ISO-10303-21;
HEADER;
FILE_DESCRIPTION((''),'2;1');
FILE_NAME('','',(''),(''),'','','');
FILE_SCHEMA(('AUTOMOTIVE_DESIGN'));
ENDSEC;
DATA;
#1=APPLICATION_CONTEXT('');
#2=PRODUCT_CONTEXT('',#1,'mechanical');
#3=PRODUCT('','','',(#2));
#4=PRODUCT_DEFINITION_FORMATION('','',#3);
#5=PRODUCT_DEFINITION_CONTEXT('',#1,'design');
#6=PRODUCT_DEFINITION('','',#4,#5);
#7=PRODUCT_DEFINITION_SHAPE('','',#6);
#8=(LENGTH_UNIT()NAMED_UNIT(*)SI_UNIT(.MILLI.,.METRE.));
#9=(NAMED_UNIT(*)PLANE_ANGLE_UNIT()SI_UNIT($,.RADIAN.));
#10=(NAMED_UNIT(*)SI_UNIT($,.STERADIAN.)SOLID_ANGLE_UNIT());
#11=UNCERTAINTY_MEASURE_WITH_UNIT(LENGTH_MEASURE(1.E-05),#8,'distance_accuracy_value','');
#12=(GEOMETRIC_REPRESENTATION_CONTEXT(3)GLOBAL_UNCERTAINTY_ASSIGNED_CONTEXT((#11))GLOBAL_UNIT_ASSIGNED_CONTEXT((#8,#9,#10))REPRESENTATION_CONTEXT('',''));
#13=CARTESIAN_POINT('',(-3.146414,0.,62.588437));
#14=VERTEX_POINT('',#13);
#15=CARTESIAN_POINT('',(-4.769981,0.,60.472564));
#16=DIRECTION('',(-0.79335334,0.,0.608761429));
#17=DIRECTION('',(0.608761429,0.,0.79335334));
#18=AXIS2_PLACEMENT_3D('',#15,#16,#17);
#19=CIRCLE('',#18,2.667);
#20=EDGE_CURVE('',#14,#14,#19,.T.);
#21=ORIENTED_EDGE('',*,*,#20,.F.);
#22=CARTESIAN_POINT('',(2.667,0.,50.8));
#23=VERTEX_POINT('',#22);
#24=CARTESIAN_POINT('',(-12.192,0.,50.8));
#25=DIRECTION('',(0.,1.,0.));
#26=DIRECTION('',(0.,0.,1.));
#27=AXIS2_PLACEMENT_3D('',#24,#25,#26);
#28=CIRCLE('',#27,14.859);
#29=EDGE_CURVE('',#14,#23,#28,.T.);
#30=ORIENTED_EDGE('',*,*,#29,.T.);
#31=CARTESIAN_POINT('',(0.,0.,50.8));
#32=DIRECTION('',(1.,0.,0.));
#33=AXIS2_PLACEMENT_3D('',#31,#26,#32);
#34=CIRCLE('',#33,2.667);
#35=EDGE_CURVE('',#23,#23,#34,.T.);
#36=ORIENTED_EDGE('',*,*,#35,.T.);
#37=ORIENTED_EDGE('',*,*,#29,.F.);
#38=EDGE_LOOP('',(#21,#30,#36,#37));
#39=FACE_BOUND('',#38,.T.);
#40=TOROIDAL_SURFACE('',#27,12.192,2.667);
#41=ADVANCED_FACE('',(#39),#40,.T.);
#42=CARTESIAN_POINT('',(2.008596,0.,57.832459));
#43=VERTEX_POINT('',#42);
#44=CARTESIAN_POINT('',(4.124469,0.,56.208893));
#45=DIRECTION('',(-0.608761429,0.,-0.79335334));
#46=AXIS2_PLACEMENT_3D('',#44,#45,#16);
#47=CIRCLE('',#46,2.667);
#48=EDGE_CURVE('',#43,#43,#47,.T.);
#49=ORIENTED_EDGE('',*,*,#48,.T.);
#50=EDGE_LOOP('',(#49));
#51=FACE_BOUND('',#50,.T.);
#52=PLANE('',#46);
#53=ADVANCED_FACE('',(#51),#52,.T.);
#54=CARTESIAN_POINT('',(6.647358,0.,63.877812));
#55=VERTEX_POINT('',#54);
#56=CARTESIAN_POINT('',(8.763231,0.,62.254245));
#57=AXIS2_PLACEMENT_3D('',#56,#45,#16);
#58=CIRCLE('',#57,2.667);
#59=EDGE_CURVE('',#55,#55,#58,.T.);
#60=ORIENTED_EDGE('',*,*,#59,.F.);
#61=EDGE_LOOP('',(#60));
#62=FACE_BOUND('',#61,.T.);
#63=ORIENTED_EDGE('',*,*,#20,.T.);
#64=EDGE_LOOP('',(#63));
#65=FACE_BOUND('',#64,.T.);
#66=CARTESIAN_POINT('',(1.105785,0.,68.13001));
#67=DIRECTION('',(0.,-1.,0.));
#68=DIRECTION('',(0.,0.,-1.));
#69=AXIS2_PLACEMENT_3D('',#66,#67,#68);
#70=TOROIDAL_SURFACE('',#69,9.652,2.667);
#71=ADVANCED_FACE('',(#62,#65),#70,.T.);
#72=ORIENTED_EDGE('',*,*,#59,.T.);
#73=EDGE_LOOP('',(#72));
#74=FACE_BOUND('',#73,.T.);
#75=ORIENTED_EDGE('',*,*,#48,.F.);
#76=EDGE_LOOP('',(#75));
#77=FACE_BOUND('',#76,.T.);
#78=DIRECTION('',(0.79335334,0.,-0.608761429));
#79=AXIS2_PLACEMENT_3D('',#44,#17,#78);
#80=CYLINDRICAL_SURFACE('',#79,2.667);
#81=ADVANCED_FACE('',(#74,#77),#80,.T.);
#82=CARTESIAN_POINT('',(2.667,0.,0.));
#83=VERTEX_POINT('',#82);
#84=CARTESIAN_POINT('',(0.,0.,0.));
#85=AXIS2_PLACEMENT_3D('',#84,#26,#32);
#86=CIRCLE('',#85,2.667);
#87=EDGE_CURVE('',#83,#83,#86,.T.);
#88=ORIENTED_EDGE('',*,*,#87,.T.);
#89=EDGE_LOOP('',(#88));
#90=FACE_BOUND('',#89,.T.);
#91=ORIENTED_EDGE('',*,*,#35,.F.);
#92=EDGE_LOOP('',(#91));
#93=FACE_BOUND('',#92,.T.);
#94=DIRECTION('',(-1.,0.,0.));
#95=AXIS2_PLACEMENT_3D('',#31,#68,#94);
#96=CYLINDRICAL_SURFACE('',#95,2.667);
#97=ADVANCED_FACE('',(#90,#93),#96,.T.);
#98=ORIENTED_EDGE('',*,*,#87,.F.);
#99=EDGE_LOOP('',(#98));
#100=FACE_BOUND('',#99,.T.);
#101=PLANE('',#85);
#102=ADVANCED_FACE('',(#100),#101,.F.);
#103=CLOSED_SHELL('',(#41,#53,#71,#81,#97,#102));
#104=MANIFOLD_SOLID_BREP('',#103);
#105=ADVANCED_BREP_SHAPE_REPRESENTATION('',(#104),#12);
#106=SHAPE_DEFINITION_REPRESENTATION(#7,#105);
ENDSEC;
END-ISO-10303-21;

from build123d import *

# Parameters (mm, degrees)
SKETCH1_R           = 2.667
BOSS_EXTRUDE1_DEPTH = 50.8
SKETCH2_R           = 2.667
REVOLVE1_ANGLE      = 52.5
SKETCH3_R           = 2.667
REVOLVE2_ANGLE      = 270
SKETCH4_R           = 2.667
BOSS_EXTRUDE2_DEPTH = 7.62


with BuildPart() as part:
    # Sketch1 → Boss-Extrude1 (new body)
    with BuildSketch(Plane.XY):
        Circle(SKETCH1_R)
    extrude(amount=BOSS_EXTRUDE1_DEPTH)

    # Sketch2 → Revolve1 (revolve)
    with BuildSketch(Plane.XY.offset(50.8)):
        Circle(SKETCH2_R)
    revolve(axis=Axis((-12.192, -2.667, 50.8), (0, -1, 0)), revolution_arc=REVOLVE1_ANGLE)

    # Sketch3 → Revolve2 (revolve)
    with BuildSketch(Plane(origin=(-32.208276887, 0, 24.714280091), x_dir=(0.608761429, 0, 0.79335334), z_dir=(-0.79335334, 0, 0.608761429))):
        with Locations((45.072330344, 0)):
            Circle(SKETCH3_R)
    revolve(axis=Axis((1.105784655, -2.667, 68.130010365), (0, 1, 0)), revolution_arc=REVOLVE2_ANGLE)

    # Sketch4 → Boss-Extrude2 (add)
    with BuildSketch(Plane(origin=(33.314061542, 0, 43.415730274), x_dir=(-0.79335334, 0, 0.608761429), z_dir=(-0.608761429, 0, -0.79335334))):
        with Locations((30.945644518, 0)):
            Circle(SKETCH4_R)
    extrude(amount=BOSS_EXTRUDE2_DEPTH)


solid = part.part
